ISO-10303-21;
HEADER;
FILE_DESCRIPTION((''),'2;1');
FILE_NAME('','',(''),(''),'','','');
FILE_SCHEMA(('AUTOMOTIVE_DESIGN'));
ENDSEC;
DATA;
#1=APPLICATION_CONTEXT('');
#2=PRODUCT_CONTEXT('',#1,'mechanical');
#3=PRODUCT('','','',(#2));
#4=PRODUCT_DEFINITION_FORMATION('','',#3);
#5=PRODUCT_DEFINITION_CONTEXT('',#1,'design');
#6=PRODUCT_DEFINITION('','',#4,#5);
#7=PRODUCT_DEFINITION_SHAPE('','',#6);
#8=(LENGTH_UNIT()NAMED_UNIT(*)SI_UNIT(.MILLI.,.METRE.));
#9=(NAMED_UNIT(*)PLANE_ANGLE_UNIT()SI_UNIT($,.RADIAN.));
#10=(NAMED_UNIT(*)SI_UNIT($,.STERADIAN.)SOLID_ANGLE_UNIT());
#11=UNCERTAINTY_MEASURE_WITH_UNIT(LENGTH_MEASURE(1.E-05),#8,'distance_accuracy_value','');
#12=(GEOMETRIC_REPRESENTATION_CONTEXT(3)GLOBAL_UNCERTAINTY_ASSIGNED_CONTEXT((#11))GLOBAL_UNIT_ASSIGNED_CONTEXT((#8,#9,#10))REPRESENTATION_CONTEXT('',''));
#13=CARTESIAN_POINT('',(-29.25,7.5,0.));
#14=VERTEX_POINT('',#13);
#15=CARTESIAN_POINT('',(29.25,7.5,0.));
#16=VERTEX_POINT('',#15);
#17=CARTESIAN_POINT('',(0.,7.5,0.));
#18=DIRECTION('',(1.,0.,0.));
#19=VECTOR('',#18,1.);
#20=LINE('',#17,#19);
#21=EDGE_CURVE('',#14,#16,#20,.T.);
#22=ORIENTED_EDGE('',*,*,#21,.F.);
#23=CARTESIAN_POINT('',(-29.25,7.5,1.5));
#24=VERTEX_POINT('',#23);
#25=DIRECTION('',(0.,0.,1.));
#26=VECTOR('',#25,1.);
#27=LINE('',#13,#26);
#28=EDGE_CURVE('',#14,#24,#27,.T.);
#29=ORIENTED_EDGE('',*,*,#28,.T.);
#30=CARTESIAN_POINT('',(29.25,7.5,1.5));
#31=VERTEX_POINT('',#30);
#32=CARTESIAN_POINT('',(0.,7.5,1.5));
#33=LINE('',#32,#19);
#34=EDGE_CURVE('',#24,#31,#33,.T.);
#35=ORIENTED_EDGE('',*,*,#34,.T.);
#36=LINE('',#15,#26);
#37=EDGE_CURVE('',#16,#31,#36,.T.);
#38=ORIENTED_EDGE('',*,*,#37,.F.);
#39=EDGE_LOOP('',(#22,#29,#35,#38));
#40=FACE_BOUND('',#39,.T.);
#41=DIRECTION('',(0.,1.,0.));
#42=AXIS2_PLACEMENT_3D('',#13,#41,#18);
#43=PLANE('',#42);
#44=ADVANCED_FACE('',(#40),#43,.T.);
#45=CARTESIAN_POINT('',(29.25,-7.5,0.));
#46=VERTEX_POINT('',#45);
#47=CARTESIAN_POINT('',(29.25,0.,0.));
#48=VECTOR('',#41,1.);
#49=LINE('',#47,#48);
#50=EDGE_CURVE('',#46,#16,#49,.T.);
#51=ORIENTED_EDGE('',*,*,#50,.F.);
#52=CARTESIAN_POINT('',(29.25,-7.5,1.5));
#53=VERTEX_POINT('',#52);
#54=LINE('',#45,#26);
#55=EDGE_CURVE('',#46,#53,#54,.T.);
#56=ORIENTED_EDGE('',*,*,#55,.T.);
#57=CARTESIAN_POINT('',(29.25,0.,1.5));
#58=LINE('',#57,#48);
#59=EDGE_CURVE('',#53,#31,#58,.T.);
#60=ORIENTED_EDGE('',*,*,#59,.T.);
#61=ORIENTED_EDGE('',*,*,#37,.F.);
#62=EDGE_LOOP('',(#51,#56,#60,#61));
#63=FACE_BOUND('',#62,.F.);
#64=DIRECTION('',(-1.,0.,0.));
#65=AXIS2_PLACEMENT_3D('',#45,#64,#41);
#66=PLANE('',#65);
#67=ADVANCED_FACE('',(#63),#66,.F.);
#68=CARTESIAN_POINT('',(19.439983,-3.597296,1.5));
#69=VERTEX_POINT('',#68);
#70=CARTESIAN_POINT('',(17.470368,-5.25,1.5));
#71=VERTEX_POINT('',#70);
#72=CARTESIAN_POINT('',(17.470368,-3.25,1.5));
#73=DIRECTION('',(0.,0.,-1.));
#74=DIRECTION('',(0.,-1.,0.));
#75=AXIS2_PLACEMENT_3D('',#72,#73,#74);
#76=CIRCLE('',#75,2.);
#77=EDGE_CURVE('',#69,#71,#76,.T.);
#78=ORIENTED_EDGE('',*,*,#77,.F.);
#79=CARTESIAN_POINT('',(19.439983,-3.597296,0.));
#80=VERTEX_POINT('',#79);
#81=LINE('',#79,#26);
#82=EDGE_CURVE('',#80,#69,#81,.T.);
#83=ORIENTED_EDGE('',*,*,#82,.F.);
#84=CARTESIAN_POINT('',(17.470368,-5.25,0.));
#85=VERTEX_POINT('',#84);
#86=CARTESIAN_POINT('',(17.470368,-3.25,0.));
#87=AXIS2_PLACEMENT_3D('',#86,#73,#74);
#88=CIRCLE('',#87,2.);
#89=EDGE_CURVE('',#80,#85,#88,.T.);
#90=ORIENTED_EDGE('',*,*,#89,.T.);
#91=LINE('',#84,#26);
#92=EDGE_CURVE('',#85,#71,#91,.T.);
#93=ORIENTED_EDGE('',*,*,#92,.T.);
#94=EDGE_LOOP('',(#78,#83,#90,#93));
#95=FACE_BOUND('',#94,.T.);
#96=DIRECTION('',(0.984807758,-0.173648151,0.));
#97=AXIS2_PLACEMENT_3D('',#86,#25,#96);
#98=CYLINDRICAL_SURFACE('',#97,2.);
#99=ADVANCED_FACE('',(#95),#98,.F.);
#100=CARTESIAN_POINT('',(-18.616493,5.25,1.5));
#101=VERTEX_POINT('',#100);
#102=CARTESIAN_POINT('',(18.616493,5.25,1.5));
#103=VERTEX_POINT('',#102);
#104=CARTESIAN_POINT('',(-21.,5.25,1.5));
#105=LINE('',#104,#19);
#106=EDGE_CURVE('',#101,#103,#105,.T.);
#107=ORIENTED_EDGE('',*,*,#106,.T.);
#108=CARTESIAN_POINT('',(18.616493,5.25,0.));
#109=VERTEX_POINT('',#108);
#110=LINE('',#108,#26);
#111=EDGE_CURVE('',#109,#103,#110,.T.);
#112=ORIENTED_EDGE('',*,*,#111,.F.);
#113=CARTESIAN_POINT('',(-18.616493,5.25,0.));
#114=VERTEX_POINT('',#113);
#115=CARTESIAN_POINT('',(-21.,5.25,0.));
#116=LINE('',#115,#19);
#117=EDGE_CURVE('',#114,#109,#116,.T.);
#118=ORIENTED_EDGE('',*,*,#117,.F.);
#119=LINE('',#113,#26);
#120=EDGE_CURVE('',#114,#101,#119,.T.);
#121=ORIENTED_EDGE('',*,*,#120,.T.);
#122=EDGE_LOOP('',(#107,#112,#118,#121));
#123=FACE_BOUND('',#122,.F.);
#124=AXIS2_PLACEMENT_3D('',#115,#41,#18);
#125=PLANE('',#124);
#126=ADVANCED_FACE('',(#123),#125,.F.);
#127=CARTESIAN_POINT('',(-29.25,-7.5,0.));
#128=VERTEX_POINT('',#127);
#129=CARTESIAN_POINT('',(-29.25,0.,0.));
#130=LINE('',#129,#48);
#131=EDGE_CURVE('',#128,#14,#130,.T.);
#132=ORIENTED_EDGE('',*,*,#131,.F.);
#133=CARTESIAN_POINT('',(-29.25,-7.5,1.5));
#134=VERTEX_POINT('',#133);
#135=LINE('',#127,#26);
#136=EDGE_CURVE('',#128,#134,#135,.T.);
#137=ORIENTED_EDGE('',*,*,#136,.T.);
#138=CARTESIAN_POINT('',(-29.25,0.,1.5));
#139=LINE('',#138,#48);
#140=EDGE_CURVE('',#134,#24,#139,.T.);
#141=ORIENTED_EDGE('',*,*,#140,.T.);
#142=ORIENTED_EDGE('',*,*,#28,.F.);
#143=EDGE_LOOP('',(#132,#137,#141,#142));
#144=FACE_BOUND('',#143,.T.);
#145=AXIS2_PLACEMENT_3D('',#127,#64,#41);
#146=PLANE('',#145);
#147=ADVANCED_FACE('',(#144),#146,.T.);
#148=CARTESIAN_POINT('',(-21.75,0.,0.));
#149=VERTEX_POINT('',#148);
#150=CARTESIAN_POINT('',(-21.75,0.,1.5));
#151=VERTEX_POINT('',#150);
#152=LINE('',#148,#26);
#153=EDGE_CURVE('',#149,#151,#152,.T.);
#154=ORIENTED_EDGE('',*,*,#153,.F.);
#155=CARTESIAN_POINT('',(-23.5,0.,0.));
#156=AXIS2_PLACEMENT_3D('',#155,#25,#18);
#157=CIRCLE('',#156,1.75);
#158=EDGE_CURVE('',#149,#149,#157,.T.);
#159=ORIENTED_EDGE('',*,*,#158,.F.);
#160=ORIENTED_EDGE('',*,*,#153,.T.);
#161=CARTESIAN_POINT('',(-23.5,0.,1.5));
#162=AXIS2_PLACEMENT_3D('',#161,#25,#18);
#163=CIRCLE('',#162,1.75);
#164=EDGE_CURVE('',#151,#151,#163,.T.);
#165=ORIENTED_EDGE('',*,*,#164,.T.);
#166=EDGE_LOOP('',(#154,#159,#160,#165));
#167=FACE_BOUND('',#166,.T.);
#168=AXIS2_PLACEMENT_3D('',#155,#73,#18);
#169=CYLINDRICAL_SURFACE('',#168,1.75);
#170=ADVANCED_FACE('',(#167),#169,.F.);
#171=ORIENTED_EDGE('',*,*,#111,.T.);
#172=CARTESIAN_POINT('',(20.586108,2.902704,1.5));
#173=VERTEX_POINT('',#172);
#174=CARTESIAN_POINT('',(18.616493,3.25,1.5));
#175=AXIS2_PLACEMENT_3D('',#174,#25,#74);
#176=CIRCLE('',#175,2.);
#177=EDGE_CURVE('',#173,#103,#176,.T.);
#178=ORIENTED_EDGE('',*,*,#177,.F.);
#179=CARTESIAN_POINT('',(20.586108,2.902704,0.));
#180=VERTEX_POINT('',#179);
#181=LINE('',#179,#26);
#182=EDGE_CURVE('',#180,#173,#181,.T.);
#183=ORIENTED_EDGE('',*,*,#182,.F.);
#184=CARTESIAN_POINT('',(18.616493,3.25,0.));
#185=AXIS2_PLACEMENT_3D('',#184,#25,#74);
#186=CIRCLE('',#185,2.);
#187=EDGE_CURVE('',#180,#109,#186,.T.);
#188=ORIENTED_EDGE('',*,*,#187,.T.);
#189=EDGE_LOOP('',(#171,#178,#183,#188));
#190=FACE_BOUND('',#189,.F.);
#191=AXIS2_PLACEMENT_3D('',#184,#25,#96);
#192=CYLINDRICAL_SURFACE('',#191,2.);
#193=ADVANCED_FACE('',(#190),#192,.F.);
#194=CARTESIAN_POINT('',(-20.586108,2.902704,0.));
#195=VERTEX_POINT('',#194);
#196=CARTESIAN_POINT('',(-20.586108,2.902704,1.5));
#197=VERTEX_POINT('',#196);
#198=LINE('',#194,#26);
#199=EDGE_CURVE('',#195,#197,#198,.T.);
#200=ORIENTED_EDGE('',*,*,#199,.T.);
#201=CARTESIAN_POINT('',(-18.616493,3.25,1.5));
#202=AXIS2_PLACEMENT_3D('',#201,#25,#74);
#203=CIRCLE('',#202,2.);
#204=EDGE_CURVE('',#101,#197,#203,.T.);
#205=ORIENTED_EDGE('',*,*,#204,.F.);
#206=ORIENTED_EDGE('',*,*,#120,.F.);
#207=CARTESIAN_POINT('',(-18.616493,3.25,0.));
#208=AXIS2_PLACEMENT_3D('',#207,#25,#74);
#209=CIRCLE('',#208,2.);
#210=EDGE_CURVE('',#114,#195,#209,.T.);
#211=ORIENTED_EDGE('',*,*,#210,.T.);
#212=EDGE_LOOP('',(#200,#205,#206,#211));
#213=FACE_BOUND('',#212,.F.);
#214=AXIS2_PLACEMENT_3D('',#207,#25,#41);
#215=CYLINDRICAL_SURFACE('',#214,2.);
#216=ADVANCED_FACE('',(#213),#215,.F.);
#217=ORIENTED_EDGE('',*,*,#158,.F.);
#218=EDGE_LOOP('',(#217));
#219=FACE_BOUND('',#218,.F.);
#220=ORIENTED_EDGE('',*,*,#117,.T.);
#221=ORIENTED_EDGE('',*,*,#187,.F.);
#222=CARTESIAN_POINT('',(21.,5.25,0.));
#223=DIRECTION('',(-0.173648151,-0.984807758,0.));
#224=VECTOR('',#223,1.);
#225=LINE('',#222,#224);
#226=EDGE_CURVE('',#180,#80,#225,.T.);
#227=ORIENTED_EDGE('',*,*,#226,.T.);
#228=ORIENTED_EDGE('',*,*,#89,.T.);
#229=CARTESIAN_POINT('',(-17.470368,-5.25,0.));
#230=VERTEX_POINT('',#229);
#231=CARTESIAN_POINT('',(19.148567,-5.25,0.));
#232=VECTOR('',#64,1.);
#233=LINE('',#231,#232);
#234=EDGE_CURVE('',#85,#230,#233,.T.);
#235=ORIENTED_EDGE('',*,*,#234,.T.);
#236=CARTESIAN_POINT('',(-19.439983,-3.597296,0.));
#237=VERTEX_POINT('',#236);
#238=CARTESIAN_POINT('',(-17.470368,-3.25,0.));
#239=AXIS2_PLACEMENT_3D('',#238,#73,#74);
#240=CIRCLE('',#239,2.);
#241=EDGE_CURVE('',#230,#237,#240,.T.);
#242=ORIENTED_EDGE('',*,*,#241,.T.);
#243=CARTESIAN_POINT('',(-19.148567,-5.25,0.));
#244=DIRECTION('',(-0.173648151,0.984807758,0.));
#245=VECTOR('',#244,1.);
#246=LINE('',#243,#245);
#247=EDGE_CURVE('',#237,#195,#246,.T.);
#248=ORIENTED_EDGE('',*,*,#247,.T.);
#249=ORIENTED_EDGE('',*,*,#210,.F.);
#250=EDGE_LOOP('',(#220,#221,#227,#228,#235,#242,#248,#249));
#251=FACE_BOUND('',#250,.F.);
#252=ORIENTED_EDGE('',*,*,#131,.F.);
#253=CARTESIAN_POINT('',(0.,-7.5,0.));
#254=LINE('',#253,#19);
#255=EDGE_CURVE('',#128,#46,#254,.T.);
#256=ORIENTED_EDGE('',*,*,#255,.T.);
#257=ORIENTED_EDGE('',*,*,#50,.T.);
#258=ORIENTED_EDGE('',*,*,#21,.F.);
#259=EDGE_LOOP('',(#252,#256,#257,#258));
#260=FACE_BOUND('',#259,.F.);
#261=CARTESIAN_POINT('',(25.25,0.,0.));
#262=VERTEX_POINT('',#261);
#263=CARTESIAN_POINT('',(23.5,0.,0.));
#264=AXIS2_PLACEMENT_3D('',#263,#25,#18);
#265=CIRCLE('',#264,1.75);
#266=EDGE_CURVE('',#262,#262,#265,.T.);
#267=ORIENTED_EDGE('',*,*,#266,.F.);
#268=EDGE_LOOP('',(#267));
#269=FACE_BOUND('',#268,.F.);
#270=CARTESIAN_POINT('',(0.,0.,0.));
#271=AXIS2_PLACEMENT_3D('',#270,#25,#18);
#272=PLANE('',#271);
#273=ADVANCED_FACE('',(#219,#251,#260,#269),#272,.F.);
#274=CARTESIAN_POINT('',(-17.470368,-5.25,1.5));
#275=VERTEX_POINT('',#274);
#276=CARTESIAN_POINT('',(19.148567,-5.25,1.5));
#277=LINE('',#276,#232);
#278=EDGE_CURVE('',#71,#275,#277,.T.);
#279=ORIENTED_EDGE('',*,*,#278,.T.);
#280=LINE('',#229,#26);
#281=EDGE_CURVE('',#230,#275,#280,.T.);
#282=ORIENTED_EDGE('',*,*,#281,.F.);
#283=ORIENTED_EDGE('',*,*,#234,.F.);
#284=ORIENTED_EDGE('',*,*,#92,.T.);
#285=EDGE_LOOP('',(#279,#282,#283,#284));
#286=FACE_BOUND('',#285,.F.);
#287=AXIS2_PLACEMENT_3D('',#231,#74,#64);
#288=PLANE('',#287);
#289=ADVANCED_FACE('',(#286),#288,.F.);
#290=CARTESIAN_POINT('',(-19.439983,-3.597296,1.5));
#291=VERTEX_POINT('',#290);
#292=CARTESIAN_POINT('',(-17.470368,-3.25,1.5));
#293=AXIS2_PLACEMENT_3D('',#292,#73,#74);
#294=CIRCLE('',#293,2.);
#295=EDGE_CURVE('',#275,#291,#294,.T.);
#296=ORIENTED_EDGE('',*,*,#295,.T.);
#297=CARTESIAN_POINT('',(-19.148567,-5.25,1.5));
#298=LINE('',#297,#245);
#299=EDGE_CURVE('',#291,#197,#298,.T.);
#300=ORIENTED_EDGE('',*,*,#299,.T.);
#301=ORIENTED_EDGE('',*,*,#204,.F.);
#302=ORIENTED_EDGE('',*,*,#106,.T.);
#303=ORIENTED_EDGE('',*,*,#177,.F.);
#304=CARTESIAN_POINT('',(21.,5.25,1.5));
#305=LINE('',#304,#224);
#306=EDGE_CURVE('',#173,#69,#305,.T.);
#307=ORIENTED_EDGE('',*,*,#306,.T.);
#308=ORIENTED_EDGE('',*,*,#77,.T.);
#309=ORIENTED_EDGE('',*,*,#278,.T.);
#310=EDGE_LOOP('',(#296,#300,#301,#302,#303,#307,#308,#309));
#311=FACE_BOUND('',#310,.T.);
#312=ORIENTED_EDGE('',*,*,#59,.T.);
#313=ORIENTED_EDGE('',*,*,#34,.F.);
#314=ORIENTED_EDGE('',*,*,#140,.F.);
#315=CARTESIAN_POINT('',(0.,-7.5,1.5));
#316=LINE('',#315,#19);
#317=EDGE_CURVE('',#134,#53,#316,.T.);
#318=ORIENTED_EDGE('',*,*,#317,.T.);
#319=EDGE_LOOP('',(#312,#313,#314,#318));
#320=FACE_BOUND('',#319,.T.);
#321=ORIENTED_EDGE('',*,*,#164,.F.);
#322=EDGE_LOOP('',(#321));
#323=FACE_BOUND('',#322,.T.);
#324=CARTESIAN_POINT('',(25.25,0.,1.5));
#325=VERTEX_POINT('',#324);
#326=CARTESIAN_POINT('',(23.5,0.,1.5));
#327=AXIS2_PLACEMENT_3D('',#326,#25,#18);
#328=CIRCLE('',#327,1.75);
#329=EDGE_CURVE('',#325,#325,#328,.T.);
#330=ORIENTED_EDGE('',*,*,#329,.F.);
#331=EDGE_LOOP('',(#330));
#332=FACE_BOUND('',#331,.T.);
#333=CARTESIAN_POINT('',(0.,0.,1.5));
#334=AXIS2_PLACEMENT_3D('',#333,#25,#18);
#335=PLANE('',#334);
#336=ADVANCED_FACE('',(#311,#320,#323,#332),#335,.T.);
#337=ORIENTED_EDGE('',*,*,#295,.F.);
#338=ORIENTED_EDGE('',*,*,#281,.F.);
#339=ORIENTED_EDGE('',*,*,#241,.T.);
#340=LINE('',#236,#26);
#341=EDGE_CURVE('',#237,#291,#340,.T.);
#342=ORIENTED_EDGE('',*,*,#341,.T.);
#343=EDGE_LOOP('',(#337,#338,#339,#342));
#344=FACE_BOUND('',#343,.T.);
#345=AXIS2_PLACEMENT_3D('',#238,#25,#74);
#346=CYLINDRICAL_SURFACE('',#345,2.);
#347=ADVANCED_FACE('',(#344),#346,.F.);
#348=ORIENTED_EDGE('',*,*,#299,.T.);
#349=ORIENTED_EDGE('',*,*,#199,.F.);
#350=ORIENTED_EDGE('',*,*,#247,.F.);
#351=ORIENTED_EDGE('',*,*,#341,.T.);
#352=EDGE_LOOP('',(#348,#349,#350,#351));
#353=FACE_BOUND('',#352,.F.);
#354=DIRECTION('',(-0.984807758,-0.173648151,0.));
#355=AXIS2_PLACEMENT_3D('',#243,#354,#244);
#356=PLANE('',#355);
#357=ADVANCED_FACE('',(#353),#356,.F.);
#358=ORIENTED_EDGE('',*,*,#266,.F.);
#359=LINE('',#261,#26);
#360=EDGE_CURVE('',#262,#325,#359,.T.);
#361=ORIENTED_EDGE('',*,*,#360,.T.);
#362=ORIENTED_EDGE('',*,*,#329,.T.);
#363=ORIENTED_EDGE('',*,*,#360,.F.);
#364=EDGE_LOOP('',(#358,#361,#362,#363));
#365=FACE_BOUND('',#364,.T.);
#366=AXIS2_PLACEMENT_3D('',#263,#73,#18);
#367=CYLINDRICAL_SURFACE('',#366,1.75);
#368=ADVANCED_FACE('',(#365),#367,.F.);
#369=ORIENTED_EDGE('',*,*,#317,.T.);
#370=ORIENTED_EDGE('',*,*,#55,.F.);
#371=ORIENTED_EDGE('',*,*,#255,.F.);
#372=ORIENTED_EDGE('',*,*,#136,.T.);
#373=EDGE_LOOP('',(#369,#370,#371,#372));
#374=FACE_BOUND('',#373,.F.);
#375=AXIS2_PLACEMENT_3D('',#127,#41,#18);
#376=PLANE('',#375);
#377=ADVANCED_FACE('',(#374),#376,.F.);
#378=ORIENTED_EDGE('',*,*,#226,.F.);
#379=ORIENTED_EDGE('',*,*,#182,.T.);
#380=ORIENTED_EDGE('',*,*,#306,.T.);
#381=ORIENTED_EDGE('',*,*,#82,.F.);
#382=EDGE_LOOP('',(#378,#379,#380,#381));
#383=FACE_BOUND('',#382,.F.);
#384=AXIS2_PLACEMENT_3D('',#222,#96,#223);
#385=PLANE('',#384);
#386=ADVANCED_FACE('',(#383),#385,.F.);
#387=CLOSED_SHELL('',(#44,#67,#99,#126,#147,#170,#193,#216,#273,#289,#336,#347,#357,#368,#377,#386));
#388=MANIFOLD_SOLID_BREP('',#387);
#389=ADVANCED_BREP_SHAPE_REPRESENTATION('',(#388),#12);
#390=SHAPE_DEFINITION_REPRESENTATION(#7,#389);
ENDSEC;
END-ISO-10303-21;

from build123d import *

# Parameters (mm, degrees)
F0_W     = 58.5
F0_H     = 15
F0_R     = 1.75
F1_DEPTH = 1.5
F2_R     = 2


with BuildPart() as f1:
    # F0 (on Top) → F1 (new body)
    with BuildSketch(Plane.XY):
        Rectangle(F0_W, F0_H)
        with Locations((-23.5, 0)):
            Circle(F0_R, mode=Mode.SUBTRACT)
        Polygon((19.148567, -5.25), (-19.148567, -5.25), (-21, 5.25), (21, 5.25), align=None, mode=Mode.SUBTRACT)
        with Locations((23.5, 0)):
            Circle(F0_R, mode=Mode.SUBTRACT)
    extrude(amount=F1_DEPTH)

    # F2
    f2_edges = [f1.edges().sort_by_distance(p)[0] for p in [
        (-21, 5.25, 0.75),
        (-19.148567, -5.25, 0.75),
        (19.148567, -5.25, 0.75),
        (21, 5.25, 0.75),
    ]]
    fillet(f2_edges, radius=F2_R)


solid = f1.part
